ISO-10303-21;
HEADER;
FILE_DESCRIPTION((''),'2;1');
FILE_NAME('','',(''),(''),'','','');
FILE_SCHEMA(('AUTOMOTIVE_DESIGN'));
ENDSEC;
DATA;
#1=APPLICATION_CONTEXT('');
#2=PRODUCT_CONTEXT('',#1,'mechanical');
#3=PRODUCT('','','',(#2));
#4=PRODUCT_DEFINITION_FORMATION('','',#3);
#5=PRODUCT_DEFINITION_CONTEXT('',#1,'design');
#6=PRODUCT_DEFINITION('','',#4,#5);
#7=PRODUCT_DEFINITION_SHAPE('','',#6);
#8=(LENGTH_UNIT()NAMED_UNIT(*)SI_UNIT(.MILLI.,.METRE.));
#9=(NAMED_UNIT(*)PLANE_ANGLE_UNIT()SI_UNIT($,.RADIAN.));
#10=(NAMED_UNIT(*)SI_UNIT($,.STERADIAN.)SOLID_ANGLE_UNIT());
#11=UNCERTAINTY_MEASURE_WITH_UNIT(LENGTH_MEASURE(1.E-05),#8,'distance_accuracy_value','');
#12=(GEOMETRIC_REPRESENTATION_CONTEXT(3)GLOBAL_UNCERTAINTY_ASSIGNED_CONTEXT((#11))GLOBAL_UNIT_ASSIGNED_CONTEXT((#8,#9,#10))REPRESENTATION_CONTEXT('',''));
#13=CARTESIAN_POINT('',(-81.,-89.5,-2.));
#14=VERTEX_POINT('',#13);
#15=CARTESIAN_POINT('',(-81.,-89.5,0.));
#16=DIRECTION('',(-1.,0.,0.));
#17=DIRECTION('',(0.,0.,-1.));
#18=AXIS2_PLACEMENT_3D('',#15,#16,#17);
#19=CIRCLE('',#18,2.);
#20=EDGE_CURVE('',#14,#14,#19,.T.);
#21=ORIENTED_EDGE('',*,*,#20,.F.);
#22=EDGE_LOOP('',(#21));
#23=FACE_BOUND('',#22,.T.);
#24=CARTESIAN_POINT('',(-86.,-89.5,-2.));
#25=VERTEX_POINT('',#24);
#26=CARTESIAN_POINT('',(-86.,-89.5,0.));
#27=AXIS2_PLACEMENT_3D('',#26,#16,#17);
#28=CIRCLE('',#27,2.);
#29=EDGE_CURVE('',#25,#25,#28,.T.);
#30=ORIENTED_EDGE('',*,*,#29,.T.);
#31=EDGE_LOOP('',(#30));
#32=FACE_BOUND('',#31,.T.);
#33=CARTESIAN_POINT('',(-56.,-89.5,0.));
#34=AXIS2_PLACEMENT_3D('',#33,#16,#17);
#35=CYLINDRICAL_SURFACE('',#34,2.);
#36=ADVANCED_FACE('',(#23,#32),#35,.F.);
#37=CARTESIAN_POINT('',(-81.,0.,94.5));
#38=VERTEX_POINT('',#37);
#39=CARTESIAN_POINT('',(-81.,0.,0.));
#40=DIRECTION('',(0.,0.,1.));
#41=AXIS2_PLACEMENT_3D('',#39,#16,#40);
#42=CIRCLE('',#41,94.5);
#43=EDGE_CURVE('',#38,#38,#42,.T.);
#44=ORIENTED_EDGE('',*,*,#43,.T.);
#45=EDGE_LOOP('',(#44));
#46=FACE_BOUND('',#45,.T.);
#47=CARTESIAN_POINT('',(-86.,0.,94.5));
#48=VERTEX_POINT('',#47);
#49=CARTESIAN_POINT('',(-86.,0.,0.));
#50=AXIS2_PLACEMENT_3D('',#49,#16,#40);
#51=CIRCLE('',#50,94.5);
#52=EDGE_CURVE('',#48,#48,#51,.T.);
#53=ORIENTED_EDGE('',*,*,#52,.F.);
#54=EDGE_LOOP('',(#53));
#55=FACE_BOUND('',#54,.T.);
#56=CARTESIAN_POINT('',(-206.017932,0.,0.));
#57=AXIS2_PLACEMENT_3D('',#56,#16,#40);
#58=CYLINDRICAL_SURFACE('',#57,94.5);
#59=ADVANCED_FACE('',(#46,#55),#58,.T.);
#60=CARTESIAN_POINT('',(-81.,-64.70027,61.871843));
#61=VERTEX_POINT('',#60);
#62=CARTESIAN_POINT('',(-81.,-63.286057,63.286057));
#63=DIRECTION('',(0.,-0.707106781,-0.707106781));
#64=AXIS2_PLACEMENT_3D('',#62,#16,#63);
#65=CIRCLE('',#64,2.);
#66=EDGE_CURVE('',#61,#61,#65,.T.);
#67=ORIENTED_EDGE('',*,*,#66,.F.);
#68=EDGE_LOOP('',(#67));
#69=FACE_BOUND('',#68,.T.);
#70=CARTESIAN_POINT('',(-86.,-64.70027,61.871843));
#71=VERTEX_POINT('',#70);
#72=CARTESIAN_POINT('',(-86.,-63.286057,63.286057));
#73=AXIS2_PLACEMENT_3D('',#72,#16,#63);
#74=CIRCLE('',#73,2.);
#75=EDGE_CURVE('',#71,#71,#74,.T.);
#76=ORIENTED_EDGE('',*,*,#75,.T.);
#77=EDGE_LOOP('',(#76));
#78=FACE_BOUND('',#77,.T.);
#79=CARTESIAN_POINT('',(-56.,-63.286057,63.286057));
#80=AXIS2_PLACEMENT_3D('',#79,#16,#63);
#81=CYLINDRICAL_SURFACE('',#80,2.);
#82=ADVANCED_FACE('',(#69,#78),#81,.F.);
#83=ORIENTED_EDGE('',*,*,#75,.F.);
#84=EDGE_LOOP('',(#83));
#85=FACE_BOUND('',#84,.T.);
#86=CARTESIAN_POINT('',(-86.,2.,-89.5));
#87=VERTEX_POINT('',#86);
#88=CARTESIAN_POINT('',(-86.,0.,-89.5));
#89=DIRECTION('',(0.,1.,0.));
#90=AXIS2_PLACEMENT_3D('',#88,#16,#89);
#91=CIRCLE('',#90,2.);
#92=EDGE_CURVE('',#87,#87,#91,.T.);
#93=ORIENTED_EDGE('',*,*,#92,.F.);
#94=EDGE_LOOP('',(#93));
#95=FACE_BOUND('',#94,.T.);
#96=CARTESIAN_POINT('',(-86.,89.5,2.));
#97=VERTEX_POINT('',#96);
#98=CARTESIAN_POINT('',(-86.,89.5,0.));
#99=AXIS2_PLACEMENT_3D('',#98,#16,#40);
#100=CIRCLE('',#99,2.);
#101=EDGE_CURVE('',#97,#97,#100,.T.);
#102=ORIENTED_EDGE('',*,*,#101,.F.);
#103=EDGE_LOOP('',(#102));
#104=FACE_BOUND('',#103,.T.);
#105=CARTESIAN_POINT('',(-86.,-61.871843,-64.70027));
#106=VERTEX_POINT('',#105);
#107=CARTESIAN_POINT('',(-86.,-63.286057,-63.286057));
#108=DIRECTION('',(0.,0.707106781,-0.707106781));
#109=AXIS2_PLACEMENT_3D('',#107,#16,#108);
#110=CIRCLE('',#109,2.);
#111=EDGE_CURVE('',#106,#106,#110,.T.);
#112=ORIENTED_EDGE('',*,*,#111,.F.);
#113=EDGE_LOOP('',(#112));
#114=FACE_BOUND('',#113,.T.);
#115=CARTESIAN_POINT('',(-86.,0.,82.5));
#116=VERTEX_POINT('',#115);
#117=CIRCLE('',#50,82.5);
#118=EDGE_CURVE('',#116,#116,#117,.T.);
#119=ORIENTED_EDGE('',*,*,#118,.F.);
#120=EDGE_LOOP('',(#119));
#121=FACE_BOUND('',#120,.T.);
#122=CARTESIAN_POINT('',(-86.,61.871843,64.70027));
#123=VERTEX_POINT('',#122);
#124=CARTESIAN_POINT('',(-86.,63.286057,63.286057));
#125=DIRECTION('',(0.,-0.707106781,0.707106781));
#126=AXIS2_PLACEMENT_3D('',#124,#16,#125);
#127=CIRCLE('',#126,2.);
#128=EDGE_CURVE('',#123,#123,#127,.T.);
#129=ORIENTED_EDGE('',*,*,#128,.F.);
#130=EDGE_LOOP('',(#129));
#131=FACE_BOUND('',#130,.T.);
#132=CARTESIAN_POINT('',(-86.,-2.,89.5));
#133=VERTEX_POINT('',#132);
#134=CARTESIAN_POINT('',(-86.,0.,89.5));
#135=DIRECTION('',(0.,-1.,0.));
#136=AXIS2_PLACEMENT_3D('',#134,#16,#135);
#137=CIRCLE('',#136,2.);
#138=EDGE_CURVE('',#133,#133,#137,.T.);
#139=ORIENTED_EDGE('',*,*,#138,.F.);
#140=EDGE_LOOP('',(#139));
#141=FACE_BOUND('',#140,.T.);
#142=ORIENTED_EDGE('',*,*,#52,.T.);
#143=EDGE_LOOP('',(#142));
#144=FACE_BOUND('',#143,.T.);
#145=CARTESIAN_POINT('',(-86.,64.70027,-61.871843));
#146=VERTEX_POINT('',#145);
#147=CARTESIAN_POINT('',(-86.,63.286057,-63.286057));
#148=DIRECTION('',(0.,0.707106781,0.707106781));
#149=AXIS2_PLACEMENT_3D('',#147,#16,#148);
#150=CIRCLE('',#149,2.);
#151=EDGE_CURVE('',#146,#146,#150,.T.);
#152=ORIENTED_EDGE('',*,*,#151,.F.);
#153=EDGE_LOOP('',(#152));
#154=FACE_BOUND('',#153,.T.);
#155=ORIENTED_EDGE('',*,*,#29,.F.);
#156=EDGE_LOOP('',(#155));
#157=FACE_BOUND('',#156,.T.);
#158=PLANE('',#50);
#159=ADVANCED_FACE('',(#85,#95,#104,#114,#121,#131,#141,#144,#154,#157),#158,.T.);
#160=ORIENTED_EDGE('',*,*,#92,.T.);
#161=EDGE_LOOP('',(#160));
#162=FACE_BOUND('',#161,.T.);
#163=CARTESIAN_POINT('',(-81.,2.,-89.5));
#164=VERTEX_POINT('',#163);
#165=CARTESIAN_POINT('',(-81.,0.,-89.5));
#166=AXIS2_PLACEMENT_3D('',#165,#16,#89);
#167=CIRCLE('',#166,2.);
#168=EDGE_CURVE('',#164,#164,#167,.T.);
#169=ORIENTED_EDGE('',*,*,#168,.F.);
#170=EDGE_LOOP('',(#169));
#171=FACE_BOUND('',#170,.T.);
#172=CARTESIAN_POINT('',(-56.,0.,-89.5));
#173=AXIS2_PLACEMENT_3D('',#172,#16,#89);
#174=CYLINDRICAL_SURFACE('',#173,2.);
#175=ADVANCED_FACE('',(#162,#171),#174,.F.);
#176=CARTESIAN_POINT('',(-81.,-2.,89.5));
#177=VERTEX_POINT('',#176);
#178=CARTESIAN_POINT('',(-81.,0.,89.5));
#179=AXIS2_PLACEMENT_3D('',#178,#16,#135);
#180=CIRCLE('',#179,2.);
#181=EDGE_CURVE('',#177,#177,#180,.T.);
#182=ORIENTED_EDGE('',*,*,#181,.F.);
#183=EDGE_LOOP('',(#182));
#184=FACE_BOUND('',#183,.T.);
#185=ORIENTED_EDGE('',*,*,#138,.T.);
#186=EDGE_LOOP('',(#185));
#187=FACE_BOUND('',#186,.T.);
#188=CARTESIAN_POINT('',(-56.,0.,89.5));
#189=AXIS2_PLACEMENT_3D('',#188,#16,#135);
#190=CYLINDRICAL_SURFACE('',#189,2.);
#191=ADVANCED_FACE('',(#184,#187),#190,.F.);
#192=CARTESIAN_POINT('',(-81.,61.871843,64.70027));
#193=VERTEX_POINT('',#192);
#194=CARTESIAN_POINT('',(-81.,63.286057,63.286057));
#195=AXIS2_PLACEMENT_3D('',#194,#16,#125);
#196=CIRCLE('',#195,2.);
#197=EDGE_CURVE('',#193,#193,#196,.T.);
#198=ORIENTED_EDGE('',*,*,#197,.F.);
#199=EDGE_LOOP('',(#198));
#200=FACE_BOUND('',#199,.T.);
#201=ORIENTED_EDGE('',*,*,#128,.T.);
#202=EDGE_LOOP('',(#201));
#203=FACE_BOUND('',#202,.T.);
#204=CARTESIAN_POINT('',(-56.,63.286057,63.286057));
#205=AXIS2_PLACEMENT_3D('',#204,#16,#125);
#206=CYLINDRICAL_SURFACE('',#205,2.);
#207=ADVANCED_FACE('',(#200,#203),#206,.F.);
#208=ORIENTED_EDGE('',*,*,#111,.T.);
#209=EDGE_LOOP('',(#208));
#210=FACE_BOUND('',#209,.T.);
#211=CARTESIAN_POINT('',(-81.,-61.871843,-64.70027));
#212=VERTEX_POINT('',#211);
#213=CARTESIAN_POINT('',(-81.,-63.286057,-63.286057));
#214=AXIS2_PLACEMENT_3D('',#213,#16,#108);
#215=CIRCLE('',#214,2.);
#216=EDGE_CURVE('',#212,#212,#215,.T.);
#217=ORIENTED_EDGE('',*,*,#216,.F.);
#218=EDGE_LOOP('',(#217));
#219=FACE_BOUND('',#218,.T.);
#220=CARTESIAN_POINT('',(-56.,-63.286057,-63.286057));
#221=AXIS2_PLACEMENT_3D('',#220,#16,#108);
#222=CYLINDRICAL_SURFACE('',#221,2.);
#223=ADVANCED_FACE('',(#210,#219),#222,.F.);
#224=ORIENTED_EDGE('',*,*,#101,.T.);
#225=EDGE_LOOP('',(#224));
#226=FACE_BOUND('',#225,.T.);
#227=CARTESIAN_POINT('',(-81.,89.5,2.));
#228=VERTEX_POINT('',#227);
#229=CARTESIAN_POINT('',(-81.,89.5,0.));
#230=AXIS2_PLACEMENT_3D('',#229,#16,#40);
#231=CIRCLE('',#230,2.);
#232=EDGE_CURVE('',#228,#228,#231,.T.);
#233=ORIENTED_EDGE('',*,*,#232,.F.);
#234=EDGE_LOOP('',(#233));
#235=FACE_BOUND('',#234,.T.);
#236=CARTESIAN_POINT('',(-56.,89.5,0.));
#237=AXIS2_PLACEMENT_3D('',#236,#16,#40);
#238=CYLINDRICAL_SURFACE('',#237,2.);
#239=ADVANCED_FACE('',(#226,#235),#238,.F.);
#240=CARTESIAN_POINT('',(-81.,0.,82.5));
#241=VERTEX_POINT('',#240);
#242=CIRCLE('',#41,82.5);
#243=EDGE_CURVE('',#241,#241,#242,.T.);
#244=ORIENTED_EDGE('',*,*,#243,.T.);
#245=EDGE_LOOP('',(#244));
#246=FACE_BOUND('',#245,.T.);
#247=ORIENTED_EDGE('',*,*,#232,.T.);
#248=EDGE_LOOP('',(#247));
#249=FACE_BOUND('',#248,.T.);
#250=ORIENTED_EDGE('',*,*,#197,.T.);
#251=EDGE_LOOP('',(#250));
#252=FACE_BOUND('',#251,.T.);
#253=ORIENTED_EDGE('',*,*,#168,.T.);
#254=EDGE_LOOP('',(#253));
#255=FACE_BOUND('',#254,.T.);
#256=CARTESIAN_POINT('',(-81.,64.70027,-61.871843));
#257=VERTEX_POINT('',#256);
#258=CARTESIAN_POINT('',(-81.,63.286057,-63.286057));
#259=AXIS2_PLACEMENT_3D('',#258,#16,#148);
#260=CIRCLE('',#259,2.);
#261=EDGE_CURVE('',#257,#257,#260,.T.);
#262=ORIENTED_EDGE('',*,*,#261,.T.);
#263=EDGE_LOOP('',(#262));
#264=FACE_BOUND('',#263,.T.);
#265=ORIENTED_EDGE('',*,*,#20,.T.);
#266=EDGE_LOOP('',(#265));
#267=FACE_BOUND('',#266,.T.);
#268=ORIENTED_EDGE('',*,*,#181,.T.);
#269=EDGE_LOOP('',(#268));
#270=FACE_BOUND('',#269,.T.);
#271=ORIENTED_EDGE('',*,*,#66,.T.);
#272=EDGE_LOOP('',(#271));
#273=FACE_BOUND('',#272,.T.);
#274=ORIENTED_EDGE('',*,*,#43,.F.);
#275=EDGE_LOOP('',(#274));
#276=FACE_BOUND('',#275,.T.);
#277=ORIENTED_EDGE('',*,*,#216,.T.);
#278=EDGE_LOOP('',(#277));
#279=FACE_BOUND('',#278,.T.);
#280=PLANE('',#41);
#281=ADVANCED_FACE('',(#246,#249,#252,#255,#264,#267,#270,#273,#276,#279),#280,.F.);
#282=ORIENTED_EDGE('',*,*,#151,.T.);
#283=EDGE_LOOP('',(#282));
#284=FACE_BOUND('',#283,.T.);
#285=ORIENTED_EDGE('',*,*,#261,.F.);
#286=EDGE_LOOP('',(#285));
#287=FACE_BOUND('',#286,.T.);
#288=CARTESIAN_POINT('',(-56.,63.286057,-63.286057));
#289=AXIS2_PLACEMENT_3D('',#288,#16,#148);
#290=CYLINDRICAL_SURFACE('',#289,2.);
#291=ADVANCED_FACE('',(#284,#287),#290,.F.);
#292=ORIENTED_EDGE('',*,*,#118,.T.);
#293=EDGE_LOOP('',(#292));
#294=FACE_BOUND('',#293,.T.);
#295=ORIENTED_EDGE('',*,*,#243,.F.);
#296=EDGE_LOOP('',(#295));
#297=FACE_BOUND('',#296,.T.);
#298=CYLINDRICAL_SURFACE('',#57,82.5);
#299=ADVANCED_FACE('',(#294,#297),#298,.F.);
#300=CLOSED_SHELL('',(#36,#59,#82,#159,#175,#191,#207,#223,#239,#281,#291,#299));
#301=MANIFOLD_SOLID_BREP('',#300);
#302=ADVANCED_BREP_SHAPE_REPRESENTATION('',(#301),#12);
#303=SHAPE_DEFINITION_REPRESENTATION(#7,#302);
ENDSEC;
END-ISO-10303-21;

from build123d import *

# Parameters (mm, degrees)
SKETCH1_W          = 5
SKETCH1_H          = 12
SKETCH2_R          = 2
CUT_EXTRUDE1_DEPTH = 30
CIRPATTERN1_COUNT  = 8


with BuildPart() as part:
    # Sketch1 → Revolve1 (revolve)
    with BuildSketch(Plane.XY, mode=Mode.PRIVATE) as revolve1_sk:
        with Locations((-83.5, 88.5)):
            Rectangle(SKETCH1_W, SKETCH1_H)
    revolve(revolve1_sk.sketch.rotate(Axis((-206.017932179, 0, 0), (1, 0, 0)), 90), axis=Axis((-206.017932179, 0, 0), (1, 0, 0)))

    # Sketch2 → Cut-Extrude1 (cut)
    with BuildSketch(Plane.ZY.offset(86)):
        with Locations((0, 89.5)):
            Circle(SKETCH2_R)
    cut_extrude1 = extrude(amount=-CUT_EXTRUDE1_DEPTH, mode=Mode.SUBTRACT)

    # CirPattern1: Cut-Extrude1 ×8 about axis
    cirpattern1_axis = Axis((0, 0, 0), (1, 0, 0))
    for i in range(1, CIRPATTERN1_COUNT):
        add(cut_extrude1.rotate(cirpattern1_axis, i * 360 / CIRPATTERN1_COUNT), mode=Mode.SUBTRACT)


solid = part.part
